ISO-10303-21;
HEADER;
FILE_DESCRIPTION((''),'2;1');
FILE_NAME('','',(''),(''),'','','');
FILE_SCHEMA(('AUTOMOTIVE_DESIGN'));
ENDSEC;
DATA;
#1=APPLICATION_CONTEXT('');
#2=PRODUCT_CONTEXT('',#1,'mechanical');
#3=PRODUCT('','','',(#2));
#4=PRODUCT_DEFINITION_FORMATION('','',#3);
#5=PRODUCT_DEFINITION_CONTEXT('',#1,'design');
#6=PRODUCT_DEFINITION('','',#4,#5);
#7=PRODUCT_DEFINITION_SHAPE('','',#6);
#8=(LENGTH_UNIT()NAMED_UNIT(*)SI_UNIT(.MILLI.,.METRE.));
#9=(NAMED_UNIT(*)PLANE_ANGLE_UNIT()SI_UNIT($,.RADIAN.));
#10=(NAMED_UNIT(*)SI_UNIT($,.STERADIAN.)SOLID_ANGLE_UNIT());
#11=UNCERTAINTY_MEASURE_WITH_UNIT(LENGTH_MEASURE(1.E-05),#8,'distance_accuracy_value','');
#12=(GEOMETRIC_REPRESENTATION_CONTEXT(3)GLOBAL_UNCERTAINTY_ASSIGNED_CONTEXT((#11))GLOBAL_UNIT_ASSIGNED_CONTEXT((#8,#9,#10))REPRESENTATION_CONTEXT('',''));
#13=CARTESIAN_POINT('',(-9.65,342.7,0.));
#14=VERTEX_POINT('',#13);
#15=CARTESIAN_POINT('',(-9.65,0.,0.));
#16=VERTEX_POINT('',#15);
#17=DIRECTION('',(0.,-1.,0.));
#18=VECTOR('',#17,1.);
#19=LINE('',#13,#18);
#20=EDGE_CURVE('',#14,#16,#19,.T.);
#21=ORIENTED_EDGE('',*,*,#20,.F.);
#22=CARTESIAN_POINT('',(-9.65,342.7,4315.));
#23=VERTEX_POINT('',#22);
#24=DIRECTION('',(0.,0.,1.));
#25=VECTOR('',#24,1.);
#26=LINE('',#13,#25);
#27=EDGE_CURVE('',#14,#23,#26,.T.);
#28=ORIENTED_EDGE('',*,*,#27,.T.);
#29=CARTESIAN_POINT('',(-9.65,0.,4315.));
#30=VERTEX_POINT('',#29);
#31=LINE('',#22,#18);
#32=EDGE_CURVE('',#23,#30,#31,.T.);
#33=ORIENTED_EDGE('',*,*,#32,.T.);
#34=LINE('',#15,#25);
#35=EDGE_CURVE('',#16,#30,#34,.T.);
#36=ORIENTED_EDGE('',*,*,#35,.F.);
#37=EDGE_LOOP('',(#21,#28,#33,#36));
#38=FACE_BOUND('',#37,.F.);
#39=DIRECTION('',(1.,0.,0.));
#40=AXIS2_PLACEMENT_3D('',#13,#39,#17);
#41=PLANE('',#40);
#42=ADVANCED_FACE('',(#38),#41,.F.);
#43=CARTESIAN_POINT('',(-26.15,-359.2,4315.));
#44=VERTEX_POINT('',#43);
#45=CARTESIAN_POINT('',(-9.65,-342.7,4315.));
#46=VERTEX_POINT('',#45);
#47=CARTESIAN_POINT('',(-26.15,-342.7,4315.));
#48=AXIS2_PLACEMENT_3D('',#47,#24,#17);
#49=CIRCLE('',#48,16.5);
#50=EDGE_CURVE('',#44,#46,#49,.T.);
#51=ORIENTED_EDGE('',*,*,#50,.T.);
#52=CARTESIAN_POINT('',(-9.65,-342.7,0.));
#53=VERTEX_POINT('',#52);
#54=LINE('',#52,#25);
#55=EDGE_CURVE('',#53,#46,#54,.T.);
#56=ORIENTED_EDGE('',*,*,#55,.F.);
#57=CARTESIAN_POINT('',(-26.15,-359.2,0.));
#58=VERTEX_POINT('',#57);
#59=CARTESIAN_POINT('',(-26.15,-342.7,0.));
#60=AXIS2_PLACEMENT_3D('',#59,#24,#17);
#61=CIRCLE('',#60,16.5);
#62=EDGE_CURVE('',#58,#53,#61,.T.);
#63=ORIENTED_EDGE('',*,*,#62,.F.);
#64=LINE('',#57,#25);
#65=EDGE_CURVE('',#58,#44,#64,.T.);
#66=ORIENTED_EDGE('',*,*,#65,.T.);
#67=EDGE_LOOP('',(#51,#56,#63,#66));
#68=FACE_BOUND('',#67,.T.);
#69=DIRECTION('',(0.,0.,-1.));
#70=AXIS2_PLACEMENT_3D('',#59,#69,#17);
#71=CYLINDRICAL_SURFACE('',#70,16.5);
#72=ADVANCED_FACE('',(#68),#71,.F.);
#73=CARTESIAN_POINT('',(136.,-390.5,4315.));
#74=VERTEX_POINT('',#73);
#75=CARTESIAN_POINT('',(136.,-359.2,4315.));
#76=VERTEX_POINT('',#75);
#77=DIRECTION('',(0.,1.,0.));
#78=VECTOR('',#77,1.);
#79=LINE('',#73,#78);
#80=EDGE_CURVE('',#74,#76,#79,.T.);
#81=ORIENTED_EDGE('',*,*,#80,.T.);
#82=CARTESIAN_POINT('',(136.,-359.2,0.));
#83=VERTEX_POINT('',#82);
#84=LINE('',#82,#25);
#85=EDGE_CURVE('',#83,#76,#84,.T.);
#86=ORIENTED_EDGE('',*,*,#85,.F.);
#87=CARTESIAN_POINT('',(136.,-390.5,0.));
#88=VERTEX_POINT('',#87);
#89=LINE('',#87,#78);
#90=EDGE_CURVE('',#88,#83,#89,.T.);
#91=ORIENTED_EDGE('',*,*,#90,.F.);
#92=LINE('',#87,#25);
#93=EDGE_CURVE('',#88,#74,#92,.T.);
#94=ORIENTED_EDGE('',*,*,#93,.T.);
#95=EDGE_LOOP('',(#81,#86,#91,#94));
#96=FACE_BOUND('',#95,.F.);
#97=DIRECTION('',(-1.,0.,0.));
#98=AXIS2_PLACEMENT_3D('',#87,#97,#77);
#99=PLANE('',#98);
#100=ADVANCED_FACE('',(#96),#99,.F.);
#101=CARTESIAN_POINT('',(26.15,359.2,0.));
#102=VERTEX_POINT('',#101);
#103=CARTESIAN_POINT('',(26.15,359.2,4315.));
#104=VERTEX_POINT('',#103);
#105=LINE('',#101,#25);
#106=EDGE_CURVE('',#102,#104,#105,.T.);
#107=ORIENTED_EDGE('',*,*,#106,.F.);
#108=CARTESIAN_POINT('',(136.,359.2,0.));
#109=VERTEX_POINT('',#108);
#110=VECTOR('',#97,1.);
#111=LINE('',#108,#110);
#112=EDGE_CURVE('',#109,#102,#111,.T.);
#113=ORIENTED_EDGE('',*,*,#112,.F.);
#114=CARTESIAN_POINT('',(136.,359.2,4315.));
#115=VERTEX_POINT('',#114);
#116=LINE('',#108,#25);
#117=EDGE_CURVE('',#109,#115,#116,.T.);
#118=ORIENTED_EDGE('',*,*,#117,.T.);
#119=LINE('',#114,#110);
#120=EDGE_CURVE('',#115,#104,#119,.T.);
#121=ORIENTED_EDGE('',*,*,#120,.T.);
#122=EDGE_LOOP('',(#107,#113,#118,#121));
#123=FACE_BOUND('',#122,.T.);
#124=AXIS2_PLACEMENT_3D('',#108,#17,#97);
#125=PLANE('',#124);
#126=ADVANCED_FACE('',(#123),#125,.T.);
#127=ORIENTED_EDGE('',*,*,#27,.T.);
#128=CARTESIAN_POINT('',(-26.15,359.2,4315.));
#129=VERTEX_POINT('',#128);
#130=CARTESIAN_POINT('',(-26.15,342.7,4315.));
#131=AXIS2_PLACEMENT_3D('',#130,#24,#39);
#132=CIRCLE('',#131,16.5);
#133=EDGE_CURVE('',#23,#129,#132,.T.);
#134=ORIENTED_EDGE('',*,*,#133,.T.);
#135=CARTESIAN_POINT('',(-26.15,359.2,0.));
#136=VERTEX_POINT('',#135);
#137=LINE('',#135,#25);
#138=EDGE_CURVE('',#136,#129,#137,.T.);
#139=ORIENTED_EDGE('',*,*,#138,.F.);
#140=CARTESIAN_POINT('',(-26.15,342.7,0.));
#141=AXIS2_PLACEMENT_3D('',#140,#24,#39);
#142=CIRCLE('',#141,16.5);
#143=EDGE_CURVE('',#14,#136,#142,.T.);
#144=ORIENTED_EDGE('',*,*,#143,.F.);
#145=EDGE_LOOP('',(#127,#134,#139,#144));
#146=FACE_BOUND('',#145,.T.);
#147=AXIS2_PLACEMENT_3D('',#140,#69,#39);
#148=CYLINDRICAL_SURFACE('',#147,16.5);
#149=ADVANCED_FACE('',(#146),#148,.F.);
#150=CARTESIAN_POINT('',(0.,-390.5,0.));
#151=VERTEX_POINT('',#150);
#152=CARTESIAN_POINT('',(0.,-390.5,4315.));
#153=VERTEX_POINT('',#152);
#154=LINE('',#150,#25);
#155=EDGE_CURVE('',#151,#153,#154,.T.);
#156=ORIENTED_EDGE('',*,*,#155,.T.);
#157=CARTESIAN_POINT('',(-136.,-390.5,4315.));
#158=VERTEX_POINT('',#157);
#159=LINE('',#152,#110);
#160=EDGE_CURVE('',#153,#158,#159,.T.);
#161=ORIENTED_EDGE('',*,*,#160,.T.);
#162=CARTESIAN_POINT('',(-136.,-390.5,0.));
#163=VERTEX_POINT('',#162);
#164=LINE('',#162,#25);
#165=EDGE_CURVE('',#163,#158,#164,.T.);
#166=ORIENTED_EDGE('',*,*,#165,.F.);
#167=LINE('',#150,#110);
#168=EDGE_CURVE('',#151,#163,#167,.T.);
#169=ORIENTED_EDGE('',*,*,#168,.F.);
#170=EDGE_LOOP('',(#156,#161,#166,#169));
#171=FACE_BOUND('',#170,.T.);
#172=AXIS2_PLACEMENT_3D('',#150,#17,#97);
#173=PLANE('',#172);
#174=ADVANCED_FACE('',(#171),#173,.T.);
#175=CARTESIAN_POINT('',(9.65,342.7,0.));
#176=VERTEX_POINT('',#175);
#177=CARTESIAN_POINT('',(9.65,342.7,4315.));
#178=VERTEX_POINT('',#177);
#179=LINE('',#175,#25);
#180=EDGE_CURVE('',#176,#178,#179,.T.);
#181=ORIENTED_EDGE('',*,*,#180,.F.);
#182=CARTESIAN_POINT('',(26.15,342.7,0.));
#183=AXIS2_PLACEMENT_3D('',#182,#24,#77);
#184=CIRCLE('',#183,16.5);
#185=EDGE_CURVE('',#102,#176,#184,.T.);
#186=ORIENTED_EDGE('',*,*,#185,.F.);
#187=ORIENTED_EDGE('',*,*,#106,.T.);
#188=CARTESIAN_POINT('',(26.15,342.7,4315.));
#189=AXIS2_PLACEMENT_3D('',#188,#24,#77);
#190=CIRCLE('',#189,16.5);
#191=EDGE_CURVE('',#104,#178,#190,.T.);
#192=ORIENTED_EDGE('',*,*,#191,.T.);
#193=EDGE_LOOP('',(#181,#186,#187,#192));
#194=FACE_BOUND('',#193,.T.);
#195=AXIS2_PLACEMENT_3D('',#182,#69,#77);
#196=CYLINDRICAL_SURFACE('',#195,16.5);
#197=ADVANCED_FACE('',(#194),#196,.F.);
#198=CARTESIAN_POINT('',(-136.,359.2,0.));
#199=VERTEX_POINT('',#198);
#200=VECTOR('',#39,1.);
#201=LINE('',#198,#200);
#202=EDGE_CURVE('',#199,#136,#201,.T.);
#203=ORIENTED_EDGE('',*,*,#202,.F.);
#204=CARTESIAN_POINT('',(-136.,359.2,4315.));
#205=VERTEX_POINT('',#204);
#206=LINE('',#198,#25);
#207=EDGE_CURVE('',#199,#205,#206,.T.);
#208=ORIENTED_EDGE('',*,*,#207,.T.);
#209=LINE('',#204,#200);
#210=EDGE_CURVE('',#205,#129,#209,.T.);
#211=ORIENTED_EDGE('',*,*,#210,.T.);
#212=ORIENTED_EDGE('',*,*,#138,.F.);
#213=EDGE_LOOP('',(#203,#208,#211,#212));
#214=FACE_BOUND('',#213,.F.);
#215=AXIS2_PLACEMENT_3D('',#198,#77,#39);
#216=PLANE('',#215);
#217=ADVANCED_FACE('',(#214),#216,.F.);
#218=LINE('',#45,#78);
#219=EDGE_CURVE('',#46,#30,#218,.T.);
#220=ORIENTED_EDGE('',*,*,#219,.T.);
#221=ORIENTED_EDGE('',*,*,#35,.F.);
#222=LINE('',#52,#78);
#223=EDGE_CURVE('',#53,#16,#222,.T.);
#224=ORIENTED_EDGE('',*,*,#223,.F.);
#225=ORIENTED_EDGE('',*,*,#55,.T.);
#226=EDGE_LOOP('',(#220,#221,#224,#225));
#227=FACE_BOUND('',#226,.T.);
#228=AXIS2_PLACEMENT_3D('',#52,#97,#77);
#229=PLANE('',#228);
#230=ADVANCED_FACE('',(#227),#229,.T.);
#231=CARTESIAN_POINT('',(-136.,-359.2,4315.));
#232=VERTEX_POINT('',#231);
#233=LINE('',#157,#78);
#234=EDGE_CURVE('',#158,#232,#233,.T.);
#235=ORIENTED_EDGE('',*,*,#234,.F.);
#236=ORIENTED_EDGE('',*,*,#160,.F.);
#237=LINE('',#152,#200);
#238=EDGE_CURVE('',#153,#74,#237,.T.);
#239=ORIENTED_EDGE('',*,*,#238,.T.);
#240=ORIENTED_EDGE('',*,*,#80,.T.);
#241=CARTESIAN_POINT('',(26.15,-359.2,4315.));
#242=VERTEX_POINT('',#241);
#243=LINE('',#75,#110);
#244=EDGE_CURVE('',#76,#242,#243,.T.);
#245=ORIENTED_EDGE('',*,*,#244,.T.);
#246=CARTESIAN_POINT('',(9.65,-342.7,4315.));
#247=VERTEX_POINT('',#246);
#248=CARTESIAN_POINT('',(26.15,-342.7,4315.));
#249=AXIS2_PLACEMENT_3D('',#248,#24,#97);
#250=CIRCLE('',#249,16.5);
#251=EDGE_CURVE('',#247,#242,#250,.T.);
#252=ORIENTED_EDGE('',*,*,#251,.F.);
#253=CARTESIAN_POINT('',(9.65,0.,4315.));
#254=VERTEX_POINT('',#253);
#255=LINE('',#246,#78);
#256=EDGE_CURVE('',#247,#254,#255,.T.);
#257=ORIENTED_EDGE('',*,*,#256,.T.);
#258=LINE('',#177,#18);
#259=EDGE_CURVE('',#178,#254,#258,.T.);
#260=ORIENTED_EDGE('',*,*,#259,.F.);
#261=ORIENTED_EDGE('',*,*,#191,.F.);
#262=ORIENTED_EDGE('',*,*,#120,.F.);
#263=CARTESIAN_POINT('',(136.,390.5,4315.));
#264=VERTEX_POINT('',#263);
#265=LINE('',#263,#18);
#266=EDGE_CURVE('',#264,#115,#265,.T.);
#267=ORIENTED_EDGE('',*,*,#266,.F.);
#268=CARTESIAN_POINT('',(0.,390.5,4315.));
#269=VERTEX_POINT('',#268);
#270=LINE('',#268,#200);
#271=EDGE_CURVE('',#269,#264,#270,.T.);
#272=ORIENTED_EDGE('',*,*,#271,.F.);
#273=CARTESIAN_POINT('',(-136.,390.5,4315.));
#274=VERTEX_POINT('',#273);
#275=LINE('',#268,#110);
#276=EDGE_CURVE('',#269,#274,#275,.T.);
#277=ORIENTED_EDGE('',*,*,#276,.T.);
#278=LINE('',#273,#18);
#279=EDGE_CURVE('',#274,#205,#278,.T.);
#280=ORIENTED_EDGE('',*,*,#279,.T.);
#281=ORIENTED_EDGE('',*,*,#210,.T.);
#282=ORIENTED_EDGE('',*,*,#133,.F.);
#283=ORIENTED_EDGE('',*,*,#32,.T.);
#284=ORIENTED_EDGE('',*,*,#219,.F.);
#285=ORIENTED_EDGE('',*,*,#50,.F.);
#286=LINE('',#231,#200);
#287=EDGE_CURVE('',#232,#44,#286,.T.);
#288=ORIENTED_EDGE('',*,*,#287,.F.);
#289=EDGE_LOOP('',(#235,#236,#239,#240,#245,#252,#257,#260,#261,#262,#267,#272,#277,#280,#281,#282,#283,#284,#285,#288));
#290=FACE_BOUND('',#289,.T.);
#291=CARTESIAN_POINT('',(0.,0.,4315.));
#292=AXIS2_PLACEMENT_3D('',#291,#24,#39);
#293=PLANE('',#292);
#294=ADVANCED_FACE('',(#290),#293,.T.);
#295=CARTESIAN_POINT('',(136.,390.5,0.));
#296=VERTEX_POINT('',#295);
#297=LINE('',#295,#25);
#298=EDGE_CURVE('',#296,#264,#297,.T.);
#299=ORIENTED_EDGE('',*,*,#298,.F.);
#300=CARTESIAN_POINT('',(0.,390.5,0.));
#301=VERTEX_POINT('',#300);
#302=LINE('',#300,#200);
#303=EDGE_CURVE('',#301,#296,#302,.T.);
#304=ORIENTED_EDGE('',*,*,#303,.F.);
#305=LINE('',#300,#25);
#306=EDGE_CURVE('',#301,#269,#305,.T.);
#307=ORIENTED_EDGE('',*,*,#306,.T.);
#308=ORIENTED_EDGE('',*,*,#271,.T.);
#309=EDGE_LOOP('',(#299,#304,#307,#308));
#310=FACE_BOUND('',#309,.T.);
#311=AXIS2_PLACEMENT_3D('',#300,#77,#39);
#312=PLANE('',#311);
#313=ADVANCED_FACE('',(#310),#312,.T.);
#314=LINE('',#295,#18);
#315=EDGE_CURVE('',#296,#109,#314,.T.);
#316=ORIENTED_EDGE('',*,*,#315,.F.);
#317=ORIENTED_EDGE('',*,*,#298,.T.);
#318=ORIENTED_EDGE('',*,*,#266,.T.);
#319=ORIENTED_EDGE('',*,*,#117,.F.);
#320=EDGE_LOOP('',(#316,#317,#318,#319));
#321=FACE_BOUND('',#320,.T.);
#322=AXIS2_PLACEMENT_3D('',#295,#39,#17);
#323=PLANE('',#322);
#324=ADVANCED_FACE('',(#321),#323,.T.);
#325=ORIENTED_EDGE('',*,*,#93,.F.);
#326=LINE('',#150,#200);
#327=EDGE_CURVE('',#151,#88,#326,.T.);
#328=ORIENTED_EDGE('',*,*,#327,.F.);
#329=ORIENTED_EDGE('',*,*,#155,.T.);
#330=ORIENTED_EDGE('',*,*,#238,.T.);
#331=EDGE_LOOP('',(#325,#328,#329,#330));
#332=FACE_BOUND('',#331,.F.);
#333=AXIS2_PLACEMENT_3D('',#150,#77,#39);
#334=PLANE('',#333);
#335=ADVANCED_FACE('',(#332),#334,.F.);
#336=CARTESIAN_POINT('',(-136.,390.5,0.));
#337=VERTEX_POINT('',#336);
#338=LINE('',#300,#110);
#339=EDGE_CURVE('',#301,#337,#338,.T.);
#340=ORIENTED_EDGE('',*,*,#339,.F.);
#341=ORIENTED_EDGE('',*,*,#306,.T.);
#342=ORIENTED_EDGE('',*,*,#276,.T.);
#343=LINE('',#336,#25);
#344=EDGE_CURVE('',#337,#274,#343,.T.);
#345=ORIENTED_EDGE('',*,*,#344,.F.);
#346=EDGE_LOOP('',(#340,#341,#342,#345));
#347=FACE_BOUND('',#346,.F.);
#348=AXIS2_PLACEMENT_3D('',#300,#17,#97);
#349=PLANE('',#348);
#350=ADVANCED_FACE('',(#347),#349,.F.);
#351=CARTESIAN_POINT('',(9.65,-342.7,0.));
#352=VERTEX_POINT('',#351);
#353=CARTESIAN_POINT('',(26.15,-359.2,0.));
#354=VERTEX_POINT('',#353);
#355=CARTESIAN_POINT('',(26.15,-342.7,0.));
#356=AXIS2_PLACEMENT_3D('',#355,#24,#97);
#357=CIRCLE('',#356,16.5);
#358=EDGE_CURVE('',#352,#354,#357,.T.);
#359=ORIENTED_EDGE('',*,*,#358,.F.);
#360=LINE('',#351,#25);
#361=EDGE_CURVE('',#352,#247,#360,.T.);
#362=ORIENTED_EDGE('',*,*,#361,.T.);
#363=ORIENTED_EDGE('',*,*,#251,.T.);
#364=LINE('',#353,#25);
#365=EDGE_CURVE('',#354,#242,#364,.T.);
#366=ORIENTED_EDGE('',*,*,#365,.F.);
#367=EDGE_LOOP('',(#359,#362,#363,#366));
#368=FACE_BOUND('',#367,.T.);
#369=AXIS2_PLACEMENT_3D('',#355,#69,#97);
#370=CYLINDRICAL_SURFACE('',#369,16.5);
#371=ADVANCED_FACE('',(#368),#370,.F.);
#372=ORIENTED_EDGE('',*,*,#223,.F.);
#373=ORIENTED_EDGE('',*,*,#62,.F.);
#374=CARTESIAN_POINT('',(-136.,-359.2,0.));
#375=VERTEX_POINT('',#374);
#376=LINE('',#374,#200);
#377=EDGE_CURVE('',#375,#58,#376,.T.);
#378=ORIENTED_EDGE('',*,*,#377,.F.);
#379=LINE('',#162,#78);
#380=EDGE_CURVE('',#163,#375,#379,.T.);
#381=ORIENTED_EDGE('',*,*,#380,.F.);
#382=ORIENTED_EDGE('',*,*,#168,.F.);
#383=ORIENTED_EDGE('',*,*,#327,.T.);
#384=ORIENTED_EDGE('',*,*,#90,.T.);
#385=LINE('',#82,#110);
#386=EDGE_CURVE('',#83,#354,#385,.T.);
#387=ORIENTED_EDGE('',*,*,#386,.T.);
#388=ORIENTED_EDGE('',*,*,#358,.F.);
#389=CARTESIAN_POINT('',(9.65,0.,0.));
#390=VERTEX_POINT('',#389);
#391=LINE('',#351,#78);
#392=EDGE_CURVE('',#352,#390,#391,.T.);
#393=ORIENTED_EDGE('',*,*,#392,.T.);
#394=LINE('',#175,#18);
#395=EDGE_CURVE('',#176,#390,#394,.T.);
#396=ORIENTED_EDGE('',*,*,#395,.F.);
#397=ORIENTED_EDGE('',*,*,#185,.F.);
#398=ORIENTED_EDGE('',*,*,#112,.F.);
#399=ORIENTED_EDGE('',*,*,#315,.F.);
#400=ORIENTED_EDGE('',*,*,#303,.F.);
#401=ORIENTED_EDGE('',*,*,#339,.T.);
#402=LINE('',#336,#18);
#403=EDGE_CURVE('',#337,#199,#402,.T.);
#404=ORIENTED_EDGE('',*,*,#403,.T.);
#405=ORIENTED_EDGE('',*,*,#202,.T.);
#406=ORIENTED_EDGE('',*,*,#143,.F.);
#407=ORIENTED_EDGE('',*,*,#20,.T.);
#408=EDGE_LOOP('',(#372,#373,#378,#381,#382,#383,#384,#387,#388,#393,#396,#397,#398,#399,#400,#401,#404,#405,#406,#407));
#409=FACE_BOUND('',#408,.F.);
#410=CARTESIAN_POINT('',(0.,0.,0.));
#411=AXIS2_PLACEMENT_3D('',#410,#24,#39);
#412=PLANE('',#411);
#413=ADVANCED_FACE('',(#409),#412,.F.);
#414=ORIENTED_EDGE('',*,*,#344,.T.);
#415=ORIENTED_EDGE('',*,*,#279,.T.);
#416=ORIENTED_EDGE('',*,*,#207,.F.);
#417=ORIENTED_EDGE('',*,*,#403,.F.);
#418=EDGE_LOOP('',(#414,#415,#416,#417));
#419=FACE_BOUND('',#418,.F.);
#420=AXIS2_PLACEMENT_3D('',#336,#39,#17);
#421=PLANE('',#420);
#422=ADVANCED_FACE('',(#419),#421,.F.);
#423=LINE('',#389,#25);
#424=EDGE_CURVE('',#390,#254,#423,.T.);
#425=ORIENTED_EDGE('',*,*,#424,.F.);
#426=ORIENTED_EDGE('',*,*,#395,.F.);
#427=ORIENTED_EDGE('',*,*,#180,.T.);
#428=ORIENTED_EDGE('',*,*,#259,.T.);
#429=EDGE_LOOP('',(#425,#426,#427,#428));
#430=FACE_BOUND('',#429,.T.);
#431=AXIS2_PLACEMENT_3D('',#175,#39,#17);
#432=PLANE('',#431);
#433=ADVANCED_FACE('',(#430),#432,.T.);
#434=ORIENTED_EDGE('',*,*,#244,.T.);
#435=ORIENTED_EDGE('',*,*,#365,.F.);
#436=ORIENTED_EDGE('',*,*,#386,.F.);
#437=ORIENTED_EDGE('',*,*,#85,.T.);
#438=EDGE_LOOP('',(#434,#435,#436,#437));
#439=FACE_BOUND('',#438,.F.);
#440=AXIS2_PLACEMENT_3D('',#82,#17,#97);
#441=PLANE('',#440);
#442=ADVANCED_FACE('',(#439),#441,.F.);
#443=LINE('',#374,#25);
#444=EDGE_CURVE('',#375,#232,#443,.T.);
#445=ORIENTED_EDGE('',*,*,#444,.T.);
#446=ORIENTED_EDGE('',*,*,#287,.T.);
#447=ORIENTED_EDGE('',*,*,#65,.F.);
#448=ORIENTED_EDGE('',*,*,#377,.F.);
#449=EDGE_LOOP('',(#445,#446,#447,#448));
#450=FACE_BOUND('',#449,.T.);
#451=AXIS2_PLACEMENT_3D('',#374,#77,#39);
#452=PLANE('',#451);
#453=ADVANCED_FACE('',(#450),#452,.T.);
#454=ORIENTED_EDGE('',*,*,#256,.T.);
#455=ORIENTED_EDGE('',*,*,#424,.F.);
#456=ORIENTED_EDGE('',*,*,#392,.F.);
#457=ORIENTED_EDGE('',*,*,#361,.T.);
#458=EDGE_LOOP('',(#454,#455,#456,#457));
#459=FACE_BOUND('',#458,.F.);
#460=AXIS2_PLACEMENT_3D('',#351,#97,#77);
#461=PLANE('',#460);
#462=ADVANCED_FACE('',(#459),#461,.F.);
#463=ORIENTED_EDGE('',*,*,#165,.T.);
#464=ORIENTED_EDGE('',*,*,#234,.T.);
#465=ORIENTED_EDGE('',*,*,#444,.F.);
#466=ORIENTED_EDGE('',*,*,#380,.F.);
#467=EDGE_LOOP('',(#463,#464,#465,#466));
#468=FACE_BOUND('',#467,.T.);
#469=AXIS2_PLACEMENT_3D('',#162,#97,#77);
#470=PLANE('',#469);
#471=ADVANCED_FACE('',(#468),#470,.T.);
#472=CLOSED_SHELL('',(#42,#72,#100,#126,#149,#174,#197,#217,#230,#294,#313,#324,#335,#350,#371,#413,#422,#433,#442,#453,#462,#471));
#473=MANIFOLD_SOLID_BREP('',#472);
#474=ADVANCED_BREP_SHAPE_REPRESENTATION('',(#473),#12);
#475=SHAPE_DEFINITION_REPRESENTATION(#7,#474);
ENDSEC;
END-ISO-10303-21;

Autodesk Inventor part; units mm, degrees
ref_plane "YZ Plane" through (0, 0, 0) normal (1, 0, 0) x (0, 1, 0)
ref_plane "Start plane" through (0, 0, 0) normal (0, 0, 1) x (1, 0, 0)
ref_plane "End plane" through (0, 0, 4315) normal (0, 0, 1) x (1, 0, 0)
sketch "Sketch" plane through (0, 0, 0) normal (0, 0, 1) x (1, 0, 0)
  line L0 (-136, -390.5) -> (-136, -359.2)
  line L1 (-136, -359.2) -> (-26.15, -359.2)
  line L2 (-9.65, -342.7) -> (-9.65, 0)
  line L3 (-9.65, 0) -> (0, 0) construction
  line L4 (0, 0) -> (0, -390.5) construction
  line L5 (0, -390.5) -> (-136, -390.5)
  line L6 (-60, 0) -> (80, 0) construction
  line L7 (0, -60) -> (0, 80) construction
  line L8 (136, -390.5) -> (136, -359.2)
  line L9 (136, -359.2) -> (26.15, -359.2)
  line L10 (9.65, -342.7) -> (9.65, 0)
  line L11 (9.65, 0) -> (0, 0) construction
  line L12 (0, -390.5) -> (136, -390.5)
  line L13 (-136, 390.5) -> (-136, 359.2)
  line L14 (-136, 359.2) -> (-26.15, 359.2)
  line L15 (-9.65, 342.7) -> (-9.65, 0)
  line L16 (0, 390.5) -> (-136, 390.5)
  line L17 (136, 390.5) -> (136, 359.2)
  line L18 (136, 359.2) -> (26.15, 359.2)
  line L19 (0, 390.5) -> (136, 390.5)
  line L20 (9.65, 342.7) -> (9.65, 0)
  arc A0 (-9.65, 342.7) -> (-26.15, 359.2) centre (-26.15, 342.7) ccw
  arc A1 (26.15, 359.2) -> (9.65, 342.7) centre (26.15, 342.7) ccw
  arc A2 (9.65, -342.7) -> (26.15, -359.2) centre (26.15, -342.7) ccw
  arc A3 (-26.15, -359.2) -> (-9.65, -342.7) centre (-26.15, -342.7) ccw
  line L21 (0, 108) -> (0, -88) construction
  line L22 (-88, 0) -> (108, 0) construction
  point P0 (-9.65, -359.2)
  point P1 (9.65, -359.2)
  point P2 (-9.65, 359.2)
  point P3 (9.65, 359.2)
  dimension "d1" = 390.5
  dimension "d2" = 31.3
  dimension "d3" = 136
  dimension "d4" = 9.65
  dimension "d10" = 16.5
extrude "Body" add sketch "Sketch" along normal up to surface (4315 mm away) from surface at 0
sketch "Sketch4" plane through (0, 0, 0) normal (0, 0, 1) x (1, 0, 0)
  line L0 (0, 0) -> (10, 0)
ref_plane "Work Plane3" through (0, 0, 0) normal (0, -1, 0) x (1, 0, 0)
sketch "Sketch5" plane through (0, 0, 0) normal (0, -1, 0) x (1, 0, 0)
  line L0 (-2, 0) -> (12, 0) projected
  line L1 (-2, 4315) -> (12, 4315) projected
  dimension "d14" = 4315
equation "\"d1\" = 0.5 * G_H"
equation "\"d2\" = G_T1"
equation "\"d3\" = 0.5 * G_W"
equation "\"d4\" = 0.5 * G_T"
equation "\"d10\" = G_IR"
equation "\"d5\" = G_L"
equation "\"G_W\" = 272"
equation "\"G_H\" = 781"
equation "\"G_T\" = 19.3"
equation "\"G_T1\" = 31.3"
equation "\"G_IR\" = 16.5"
equation "\"G_L\" = d14"
equation "\"G_OFFSET_START\" = 0"
equation "\"G_OFFSET_END\" = 0"
equation "\"d12\" = G_OFFSET_END + B_L"
equation "\"B_L\" = 4315"
properties part number "AS 3679-1990 - 760 UB - 244 - 4315" material "Steel, Mild"
